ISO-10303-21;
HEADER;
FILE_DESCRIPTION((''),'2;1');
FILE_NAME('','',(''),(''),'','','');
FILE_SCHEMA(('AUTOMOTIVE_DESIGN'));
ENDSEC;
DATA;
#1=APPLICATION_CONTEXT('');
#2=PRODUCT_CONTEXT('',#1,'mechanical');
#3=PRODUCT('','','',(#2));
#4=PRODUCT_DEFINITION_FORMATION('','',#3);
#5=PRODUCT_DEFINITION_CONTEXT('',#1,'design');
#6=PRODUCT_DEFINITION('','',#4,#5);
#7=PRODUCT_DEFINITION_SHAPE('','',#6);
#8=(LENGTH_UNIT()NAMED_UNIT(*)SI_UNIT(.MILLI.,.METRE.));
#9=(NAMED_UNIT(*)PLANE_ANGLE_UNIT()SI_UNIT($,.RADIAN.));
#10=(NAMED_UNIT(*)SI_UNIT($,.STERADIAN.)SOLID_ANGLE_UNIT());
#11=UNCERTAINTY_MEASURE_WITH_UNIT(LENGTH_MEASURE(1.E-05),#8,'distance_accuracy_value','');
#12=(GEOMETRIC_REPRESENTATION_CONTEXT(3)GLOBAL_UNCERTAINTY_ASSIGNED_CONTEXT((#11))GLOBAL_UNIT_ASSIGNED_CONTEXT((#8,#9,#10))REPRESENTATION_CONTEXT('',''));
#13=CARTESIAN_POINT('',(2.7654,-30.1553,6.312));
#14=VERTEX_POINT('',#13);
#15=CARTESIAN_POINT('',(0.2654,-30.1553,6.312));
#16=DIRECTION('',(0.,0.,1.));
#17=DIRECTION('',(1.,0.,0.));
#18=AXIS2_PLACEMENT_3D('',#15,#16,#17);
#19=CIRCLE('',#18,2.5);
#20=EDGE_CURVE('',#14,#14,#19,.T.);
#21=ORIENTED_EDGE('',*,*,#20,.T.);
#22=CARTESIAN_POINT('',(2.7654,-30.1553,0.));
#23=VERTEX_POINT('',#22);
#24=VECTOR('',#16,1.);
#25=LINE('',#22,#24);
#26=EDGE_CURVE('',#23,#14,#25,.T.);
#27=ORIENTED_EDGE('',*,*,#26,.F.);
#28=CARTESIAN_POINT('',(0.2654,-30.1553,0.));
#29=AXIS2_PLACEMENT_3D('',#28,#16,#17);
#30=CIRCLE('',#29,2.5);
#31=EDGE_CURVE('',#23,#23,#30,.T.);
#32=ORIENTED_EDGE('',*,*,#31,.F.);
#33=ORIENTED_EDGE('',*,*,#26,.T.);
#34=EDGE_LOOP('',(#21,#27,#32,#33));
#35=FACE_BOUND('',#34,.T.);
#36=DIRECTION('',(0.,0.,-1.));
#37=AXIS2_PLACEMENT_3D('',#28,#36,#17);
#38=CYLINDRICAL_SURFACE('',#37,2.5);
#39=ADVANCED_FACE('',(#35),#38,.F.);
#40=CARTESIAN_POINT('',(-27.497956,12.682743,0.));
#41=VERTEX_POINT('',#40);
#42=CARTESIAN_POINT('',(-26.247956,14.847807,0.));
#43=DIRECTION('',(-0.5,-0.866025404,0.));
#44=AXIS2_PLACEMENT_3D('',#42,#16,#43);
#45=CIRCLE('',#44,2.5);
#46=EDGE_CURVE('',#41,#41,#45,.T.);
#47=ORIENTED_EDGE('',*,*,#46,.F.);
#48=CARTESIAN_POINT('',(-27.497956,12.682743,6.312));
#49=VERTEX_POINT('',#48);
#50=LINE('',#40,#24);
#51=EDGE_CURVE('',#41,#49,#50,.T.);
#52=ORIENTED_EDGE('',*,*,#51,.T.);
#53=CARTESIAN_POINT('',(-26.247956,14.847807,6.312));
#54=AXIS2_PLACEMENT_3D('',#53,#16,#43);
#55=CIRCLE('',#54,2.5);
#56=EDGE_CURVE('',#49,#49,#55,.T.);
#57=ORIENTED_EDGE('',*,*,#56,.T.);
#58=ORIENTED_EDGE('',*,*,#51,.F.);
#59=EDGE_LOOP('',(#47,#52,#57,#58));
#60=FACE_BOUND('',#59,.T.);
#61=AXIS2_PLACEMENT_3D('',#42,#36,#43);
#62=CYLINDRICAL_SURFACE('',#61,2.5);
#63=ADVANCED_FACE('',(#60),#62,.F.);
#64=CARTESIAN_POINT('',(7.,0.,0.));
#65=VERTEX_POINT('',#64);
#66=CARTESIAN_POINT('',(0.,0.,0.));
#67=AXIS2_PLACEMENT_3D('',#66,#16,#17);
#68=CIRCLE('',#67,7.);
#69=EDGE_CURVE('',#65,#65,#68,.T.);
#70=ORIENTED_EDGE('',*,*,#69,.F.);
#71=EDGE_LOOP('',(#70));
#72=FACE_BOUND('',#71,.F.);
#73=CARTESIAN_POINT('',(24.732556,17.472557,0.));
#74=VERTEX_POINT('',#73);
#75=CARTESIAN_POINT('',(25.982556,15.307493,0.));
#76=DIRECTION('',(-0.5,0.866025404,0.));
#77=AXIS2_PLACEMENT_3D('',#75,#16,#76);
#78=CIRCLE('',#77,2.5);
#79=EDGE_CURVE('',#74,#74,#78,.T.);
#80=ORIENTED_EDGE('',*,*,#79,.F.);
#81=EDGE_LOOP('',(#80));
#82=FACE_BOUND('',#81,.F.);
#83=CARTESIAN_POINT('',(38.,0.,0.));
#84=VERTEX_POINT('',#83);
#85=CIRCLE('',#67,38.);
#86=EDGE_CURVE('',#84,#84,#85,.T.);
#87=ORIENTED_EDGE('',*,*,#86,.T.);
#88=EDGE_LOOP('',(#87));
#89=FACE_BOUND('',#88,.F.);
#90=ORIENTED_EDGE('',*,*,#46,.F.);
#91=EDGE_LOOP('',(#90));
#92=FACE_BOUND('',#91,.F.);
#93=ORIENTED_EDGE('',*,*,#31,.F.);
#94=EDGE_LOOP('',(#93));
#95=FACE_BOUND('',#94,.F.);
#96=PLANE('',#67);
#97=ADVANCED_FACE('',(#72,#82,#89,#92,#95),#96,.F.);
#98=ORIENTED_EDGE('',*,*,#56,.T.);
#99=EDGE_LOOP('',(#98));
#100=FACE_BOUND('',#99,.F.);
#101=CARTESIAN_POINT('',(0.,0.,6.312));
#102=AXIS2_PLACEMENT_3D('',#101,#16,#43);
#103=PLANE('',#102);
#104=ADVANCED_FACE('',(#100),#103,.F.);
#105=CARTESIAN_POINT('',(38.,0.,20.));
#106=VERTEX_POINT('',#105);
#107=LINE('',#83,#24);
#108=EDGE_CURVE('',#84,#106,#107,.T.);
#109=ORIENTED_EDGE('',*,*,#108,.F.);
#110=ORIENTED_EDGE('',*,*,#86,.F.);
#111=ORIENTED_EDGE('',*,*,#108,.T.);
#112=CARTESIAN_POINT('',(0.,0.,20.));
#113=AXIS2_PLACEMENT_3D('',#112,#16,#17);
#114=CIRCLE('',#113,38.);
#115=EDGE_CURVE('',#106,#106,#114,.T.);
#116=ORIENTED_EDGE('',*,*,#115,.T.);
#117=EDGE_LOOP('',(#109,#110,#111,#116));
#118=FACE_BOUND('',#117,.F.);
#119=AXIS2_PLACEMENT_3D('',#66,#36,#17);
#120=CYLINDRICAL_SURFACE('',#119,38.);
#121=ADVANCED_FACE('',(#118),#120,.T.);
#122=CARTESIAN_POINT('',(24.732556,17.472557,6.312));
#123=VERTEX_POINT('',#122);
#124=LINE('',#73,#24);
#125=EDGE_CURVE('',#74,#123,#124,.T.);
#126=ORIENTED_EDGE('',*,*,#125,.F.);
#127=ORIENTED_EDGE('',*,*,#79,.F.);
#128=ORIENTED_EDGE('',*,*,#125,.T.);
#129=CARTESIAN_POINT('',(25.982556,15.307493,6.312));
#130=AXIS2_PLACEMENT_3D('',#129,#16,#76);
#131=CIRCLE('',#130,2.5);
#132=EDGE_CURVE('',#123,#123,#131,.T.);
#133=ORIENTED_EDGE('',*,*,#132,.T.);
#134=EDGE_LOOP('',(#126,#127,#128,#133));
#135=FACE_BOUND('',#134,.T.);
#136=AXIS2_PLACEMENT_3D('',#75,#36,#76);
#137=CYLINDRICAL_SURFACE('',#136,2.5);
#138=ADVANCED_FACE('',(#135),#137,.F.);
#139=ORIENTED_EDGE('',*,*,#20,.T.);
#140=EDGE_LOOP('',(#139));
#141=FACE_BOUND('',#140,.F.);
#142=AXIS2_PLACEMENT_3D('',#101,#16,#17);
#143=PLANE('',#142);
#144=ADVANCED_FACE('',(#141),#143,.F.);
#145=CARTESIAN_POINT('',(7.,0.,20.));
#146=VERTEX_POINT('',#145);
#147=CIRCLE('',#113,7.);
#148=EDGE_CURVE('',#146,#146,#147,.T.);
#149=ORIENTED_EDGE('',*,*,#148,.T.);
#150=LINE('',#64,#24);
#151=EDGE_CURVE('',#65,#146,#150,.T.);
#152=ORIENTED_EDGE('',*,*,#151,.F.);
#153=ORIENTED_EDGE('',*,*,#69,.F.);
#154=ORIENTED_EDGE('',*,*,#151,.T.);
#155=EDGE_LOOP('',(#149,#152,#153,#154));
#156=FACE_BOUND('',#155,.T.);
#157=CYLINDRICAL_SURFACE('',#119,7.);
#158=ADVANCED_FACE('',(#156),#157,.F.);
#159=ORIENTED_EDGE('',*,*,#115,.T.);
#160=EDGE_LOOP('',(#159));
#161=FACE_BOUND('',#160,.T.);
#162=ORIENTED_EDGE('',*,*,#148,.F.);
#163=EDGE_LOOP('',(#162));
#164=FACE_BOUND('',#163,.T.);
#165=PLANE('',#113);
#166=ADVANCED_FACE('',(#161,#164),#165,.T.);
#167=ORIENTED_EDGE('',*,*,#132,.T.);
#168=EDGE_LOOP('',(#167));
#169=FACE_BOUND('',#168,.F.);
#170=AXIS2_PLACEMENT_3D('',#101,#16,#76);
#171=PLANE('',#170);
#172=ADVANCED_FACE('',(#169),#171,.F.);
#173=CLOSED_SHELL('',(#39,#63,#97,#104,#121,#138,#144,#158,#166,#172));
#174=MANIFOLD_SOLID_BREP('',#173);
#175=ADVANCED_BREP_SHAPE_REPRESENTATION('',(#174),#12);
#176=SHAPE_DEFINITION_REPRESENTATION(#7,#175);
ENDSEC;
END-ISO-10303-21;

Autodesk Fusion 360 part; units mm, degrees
sketch "Sketch1" plane through (0, 0, 0) normal (0, 0, 1) x (1, 0, 0)
  circle A0 centre (0, 0) radius 7
  circle A1 centre (0, 0) radius 22.5
  circle A2 centre (0, 0) radius 38
  dimension "d1" = 45
  dimension "d2" = 14
  dimension "d3" = 76
extrude "Extrude1" add sketch "Sketch1" along normal blind 20 contours A1
sketch "Sketch2" plane through (0, 0, 0) normal (0, 0, 1) x (1, 0, 0)
  circle A0 centre (0.2654, -30.1553) radius 2.5
  dimension "d8" = 5
extrude "Extrude4" add sketch "Sketch1" along normal blind 20 contours A1 | A2
extrude "Extrude5" cut sketch "Sketch2" along normal blind 6.312
pattern_circular "C-Pattern2" count 3 over 360 about axis through (0, 0, 20) along (0, 0, 1) of "Extrude5"
